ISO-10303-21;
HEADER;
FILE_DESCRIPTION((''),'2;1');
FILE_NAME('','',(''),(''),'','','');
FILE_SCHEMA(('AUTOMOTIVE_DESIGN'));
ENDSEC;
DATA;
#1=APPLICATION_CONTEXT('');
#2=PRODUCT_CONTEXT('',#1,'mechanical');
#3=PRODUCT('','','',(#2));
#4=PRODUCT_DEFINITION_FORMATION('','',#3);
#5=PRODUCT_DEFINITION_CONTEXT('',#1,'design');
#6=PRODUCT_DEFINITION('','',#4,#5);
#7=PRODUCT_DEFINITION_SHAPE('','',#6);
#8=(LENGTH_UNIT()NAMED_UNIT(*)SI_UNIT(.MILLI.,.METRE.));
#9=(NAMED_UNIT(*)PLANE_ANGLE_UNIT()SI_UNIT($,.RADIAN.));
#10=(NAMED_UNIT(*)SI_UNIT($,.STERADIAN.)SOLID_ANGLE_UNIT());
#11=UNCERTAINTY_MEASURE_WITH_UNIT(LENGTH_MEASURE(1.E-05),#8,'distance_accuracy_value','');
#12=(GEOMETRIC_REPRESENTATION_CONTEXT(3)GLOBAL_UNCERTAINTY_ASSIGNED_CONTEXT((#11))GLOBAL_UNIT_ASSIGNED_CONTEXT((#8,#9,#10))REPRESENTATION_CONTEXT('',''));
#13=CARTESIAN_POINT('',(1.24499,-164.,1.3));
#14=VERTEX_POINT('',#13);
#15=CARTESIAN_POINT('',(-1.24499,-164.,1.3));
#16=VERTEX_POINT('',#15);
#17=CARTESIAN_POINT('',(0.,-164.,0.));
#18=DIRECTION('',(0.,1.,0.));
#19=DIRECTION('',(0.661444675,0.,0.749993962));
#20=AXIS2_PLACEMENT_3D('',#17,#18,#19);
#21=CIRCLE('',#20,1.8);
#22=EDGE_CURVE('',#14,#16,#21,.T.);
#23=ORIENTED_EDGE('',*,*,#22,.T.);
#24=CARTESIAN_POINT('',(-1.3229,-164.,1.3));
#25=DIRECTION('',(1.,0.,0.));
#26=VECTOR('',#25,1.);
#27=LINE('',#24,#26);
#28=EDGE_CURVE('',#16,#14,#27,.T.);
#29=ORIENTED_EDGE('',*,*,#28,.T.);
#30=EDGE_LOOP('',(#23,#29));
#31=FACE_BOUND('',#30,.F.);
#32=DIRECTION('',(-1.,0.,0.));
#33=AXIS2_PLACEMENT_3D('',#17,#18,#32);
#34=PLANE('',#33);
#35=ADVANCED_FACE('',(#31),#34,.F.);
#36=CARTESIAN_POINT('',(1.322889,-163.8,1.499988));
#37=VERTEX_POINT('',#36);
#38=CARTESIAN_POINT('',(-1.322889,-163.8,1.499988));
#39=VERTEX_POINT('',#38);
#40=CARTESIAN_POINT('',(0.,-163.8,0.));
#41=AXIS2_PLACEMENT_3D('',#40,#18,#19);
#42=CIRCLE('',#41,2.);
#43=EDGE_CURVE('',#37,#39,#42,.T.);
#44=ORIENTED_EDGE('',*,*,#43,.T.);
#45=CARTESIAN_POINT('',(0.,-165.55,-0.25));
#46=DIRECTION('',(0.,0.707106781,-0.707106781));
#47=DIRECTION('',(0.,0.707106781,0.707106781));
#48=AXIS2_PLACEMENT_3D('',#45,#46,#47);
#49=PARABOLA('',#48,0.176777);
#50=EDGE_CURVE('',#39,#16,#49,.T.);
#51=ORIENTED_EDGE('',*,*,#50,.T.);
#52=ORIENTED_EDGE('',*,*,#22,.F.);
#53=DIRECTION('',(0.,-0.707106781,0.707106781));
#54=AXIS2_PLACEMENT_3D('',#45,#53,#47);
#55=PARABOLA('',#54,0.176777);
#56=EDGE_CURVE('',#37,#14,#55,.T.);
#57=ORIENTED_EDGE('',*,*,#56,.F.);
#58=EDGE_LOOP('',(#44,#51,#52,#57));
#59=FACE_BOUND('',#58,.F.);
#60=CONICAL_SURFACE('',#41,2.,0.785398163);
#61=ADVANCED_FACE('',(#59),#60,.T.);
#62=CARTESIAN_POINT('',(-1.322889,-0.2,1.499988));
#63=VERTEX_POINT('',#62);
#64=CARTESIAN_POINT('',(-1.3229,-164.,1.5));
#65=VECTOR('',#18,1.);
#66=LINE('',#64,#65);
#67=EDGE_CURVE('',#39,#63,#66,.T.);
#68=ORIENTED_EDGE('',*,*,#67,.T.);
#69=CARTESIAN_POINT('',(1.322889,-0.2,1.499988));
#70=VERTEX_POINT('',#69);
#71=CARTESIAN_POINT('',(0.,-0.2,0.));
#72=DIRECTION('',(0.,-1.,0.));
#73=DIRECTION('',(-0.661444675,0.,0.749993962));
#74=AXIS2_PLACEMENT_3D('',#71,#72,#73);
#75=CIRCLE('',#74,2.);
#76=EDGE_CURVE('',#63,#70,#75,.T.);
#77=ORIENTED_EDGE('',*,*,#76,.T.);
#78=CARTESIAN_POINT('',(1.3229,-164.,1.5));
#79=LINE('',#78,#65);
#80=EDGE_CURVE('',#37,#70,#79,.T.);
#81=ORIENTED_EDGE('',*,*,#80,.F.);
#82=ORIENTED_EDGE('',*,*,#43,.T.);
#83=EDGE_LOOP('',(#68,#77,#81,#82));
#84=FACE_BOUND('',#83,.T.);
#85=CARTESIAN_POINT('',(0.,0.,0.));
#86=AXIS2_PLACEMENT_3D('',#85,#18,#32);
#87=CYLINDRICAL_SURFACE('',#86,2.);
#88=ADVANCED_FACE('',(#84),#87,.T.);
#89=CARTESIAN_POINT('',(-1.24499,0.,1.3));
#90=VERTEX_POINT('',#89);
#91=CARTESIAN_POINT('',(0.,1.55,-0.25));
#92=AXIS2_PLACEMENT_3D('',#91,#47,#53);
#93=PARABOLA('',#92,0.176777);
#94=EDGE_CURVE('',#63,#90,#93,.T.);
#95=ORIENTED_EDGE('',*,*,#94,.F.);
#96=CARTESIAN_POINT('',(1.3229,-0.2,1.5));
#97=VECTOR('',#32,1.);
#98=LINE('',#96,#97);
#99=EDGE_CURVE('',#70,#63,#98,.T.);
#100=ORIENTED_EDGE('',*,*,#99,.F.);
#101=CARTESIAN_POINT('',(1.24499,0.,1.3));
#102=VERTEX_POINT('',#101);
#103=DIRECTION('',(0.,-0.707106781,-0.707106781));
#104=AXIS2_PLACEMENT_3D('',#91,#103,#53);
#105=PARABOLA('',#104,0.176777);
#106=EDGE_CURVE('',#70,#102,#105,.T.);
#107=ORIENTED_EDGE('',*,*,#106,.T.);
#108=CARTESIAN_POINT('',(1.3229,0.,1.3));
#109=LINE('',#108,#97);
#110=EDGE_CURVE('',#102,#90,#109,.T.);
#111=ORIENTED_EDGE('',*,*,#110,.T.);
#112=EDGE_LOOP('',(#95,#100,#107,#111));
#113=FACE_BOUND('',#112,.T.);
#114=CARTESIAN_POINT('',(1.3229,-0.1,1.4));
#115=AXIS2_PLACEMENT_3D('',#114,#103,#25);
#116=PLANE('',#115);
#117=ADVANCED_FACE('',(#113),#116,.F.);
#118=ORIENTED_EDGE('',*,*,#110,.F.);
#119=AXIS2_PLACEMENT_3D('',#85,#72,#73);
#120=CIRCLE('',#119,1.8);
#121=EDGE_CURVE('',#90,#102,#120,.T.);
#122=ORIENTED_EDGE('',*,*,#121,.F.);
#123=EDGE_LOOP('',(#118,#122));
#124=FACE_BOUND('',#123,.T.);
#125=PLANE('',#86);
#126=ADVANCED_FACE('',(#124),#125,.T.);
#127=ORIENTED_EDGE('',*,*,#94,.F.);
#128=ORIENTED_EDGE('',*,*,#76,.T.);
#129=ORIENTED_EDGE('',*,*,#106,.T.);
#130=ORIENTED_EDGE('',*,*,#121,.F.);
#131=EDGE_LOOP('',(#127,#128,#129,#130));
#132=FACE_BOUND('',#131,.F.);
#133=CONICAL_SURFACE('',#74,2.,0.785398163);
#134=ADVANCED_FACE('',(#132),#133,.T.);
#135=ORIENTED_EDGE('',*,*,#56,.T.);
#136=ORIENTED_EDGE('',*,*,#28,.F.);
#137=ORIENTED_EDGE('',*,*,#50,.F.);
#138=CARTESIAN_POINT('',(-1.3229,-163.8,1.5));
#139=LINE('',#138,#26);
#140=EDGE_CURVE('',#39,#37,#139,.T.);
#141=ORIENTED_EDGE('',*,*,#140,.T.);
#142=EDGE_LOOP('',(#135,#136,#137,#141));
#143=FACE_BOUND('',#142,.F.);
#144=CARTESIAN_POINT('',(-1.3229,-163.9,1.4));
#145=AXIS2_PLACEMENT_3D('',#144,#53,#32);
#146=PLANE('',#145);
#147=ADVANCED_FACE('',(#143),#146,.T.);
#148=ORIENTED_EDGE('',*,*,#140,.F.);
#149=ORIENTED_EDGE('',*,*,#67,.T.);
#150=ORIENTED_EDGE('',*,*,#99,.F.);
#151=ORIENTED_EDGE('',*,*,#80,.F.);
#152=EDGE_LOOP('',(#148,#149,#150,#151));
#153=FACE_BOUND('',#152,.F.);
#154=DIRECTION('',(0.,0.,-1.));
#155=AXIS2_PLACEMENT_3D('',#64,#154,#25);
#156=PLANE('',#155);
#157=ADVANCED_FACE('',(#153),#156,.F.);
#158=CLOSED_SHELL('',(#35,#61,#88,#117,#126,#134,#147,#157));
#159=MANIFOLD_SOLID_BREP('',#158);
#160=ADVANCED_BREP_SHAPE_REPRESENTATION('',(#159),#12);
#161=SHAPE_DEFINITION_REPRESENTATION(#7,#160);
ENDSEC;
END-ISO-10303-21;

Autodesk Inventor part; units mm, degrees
ref_plane "YZ Plane" through (0, 0, 0) normal (1, 0, 0) x (0, 1, 0)
ref_plane "XZ Plane" through (0, 0, 0) normal (0, 1, 0) x (-1, 0, 0)
ref_plane "XY Plane" through (0, 0, 0) normal (0, 0, 1) x (1, 0, 0)
sketch "Sketch1" plane through (0, 0, 0) normal (0, 1, 0) x (-1, 0, 0)
  circle A0 centre (0, 0) radius 2
  dimension "d0" = 4
extrude "Extrusion1" add sketch "Sketch1" against normal blind 164
sketch "Sketch2" plane through (0, -164, 0) normal (0, -1, 0) x (1, 0, 0)
  circle A0 centre (0, 0) radius 2 projected
  line L0 (-1.3229, 1.5) -> (1.3229, 1.5)
  circle A1 centre (0, 0) radius 2 projected
  dimension "d3" = 0.5
extrude "Extrusion2" cut sketch "Sketch2" against normal through all contours L0 A0 picked at (-0.3089, 1.5908)
chamfer "Chamfer1" distance 0.2 angle 45 4 edges at (0, -164, -2) (0, -164, 1.5) (0, 0, -2) (0, 0, 1.5)
properties part number "10-0164" material "Aluminum 6061"
